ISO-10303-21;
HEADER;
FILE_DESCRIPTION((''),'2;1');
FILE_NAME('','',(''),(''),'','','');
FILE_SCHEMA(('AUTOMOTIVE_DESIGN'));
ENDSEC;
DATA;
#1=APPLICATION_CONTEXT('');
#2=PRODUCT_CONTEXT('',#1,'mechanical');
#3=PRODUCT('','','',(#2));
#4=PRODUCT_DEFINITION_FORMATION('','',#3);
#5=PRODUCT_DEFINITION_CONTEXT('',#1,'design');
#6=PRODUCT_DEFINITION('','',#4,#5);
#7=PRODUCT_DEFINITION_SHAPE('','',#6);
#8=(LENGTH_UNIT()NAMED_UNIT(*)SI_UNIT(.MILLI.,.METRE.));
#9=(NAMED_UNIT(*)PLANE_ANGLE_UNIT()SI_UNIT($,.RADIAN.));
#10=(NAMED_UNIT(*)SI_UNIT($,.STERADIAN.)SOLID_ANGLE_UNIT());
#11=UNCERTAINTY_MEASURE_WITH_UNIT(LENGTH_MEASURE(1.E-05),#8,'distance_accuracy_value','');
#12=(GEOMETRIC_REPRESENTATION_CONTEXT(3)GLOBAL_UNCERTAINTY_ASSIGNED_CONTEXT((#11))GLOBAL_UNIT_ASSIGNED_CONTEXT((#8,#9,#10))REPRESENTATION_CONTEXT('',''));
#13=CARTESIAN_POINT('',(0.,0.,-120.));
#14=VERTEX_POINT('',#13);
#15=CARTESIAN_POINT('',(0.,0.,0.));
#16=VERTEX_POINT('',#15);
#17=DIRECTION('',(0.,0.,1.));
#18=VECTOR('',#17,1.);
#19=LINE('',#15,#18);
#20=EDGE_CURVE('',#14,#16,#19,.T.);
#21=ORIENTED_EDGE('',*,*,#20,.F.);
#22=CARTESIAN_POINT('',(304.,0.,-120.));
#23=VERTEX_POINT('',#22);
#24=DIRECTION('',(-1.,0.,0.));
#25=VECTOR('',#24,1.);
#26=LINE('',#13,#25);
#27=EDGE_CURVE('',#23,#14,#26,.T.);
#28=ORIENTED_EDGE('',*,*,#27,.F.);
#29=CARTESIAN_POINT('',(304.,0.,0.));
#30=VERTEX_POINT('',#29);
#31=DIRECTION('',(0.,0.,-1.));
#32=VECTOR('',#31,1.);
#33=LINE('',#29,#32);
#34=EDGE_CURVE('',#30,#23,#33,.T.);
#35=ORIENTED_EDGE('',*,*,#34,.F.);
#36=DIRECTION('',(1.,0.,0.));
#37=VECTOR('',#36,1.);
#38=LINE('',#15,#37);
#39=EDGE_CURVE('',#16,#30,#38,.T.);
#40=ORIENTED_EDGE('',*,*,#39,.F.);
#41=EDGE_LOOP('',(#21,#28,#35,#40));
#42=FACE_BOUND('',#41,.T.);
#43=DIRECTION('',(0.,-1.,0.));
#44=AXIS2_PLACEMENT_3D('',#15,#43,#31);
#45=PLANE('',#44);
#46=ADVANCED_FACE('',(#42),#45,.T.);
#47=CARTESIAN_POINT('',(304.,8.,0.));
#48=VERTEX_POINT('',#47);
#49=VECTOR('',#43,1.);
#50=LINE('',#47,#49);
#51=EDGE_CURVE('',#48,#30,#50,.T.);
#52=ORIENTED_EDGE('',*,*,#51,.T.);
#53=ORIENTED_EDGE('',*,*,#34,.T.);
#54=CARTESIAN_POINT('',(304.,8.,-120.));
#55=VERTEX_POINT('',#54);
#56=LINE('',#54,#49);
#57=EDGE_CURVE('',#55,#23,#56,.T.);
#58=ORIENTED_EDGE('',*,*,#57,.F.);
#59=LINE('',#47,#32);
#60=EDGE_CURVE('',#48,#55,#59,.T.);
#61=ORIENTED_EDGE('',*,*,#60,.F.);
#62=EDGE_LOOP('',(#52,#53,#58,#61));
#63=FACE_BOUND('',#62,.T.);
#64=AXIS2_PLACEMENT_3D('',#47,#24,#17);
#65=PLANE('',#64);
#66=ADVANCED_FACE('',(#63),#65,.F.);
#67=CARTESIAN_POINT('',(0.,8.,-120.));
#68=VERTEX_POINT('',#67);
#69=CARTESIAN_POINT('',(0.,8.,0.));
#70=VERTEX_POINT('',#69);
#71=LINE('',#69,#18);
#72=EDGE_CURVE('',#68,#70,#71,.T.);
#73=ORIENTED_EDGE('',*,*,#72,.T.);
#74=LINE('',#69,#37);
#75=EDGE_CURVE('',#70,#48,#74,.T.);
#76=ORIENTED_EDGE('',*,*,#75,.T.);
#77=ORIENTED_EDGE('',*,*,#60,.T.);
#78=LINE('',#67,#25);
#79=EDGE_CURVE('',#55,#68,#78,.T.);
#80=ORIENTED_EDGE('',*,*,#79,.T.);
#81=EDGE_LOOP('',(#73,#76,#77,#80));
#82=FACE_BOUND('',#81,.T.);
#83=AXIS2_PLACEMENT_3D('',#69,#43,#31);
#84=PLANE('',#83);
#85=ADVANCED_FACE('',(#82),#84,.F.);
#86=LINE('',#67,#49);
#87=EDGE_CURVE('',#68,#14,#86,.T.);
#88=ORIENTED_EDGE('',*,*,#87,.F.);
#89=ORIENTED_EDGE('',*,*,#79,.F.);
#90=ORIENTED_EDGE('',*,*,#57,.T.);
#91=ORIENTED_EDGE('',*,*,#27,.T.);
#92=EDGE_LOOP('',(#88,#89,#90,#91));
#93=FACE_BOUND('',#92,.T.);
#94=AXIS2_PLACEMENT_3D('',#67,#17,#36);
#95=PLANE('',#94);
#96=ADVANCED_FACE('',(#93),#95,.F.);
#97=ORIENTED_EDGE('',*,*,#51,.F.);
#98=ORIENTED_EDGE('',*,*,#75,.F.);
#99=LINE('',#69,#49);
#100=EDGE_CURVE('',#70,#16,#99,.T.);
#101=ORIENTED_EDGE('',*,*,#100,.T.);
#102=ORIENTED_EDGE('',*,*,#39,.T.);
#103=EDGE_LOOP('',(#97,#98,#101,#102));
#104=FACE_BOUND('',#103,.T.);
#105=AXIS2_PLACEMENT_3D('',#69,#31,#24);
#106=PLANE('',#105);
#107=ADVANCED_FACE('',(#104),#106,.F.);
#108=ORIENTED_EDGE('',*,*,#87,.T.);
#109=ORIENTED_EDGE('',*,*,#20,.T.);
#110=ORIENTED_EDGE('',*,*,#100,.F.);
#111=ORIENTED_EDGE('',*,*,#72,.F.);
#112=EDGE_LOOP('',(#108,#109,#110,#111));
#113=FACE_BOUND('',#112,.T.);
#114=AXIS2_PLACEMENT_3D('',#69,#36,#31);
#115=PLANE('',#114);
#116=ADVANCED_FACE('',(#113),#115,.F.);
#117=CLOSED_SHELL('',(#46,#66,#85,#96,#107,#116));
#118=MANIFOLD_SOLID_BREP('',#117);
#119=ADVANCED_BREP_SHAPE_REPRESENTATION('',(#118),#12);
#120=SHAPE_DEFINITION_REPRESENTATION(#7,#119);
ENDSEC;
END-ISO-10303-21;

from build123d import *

# Parameters (mm, degrees)
SKETCH1_W           = 304
SKETCH1_H           = 120
BOSS_EXTRUDE1_DEPTH = 8


with BuildPart() as part:
    # Sketch1 → Boss-Extrude1 (new body)
    with BuildSketch(Plane(origin=(0, 0, 0), x_dir=(1, 0, 0), z_dir=(0, 1, 0))):
        with Locations((152, 60)):
            Rectangle(SKETCH1_W, SKETCH1_H)
    extrude(amount=BOSS_EXTRUDE1_DEPTH)


solid = part.part
